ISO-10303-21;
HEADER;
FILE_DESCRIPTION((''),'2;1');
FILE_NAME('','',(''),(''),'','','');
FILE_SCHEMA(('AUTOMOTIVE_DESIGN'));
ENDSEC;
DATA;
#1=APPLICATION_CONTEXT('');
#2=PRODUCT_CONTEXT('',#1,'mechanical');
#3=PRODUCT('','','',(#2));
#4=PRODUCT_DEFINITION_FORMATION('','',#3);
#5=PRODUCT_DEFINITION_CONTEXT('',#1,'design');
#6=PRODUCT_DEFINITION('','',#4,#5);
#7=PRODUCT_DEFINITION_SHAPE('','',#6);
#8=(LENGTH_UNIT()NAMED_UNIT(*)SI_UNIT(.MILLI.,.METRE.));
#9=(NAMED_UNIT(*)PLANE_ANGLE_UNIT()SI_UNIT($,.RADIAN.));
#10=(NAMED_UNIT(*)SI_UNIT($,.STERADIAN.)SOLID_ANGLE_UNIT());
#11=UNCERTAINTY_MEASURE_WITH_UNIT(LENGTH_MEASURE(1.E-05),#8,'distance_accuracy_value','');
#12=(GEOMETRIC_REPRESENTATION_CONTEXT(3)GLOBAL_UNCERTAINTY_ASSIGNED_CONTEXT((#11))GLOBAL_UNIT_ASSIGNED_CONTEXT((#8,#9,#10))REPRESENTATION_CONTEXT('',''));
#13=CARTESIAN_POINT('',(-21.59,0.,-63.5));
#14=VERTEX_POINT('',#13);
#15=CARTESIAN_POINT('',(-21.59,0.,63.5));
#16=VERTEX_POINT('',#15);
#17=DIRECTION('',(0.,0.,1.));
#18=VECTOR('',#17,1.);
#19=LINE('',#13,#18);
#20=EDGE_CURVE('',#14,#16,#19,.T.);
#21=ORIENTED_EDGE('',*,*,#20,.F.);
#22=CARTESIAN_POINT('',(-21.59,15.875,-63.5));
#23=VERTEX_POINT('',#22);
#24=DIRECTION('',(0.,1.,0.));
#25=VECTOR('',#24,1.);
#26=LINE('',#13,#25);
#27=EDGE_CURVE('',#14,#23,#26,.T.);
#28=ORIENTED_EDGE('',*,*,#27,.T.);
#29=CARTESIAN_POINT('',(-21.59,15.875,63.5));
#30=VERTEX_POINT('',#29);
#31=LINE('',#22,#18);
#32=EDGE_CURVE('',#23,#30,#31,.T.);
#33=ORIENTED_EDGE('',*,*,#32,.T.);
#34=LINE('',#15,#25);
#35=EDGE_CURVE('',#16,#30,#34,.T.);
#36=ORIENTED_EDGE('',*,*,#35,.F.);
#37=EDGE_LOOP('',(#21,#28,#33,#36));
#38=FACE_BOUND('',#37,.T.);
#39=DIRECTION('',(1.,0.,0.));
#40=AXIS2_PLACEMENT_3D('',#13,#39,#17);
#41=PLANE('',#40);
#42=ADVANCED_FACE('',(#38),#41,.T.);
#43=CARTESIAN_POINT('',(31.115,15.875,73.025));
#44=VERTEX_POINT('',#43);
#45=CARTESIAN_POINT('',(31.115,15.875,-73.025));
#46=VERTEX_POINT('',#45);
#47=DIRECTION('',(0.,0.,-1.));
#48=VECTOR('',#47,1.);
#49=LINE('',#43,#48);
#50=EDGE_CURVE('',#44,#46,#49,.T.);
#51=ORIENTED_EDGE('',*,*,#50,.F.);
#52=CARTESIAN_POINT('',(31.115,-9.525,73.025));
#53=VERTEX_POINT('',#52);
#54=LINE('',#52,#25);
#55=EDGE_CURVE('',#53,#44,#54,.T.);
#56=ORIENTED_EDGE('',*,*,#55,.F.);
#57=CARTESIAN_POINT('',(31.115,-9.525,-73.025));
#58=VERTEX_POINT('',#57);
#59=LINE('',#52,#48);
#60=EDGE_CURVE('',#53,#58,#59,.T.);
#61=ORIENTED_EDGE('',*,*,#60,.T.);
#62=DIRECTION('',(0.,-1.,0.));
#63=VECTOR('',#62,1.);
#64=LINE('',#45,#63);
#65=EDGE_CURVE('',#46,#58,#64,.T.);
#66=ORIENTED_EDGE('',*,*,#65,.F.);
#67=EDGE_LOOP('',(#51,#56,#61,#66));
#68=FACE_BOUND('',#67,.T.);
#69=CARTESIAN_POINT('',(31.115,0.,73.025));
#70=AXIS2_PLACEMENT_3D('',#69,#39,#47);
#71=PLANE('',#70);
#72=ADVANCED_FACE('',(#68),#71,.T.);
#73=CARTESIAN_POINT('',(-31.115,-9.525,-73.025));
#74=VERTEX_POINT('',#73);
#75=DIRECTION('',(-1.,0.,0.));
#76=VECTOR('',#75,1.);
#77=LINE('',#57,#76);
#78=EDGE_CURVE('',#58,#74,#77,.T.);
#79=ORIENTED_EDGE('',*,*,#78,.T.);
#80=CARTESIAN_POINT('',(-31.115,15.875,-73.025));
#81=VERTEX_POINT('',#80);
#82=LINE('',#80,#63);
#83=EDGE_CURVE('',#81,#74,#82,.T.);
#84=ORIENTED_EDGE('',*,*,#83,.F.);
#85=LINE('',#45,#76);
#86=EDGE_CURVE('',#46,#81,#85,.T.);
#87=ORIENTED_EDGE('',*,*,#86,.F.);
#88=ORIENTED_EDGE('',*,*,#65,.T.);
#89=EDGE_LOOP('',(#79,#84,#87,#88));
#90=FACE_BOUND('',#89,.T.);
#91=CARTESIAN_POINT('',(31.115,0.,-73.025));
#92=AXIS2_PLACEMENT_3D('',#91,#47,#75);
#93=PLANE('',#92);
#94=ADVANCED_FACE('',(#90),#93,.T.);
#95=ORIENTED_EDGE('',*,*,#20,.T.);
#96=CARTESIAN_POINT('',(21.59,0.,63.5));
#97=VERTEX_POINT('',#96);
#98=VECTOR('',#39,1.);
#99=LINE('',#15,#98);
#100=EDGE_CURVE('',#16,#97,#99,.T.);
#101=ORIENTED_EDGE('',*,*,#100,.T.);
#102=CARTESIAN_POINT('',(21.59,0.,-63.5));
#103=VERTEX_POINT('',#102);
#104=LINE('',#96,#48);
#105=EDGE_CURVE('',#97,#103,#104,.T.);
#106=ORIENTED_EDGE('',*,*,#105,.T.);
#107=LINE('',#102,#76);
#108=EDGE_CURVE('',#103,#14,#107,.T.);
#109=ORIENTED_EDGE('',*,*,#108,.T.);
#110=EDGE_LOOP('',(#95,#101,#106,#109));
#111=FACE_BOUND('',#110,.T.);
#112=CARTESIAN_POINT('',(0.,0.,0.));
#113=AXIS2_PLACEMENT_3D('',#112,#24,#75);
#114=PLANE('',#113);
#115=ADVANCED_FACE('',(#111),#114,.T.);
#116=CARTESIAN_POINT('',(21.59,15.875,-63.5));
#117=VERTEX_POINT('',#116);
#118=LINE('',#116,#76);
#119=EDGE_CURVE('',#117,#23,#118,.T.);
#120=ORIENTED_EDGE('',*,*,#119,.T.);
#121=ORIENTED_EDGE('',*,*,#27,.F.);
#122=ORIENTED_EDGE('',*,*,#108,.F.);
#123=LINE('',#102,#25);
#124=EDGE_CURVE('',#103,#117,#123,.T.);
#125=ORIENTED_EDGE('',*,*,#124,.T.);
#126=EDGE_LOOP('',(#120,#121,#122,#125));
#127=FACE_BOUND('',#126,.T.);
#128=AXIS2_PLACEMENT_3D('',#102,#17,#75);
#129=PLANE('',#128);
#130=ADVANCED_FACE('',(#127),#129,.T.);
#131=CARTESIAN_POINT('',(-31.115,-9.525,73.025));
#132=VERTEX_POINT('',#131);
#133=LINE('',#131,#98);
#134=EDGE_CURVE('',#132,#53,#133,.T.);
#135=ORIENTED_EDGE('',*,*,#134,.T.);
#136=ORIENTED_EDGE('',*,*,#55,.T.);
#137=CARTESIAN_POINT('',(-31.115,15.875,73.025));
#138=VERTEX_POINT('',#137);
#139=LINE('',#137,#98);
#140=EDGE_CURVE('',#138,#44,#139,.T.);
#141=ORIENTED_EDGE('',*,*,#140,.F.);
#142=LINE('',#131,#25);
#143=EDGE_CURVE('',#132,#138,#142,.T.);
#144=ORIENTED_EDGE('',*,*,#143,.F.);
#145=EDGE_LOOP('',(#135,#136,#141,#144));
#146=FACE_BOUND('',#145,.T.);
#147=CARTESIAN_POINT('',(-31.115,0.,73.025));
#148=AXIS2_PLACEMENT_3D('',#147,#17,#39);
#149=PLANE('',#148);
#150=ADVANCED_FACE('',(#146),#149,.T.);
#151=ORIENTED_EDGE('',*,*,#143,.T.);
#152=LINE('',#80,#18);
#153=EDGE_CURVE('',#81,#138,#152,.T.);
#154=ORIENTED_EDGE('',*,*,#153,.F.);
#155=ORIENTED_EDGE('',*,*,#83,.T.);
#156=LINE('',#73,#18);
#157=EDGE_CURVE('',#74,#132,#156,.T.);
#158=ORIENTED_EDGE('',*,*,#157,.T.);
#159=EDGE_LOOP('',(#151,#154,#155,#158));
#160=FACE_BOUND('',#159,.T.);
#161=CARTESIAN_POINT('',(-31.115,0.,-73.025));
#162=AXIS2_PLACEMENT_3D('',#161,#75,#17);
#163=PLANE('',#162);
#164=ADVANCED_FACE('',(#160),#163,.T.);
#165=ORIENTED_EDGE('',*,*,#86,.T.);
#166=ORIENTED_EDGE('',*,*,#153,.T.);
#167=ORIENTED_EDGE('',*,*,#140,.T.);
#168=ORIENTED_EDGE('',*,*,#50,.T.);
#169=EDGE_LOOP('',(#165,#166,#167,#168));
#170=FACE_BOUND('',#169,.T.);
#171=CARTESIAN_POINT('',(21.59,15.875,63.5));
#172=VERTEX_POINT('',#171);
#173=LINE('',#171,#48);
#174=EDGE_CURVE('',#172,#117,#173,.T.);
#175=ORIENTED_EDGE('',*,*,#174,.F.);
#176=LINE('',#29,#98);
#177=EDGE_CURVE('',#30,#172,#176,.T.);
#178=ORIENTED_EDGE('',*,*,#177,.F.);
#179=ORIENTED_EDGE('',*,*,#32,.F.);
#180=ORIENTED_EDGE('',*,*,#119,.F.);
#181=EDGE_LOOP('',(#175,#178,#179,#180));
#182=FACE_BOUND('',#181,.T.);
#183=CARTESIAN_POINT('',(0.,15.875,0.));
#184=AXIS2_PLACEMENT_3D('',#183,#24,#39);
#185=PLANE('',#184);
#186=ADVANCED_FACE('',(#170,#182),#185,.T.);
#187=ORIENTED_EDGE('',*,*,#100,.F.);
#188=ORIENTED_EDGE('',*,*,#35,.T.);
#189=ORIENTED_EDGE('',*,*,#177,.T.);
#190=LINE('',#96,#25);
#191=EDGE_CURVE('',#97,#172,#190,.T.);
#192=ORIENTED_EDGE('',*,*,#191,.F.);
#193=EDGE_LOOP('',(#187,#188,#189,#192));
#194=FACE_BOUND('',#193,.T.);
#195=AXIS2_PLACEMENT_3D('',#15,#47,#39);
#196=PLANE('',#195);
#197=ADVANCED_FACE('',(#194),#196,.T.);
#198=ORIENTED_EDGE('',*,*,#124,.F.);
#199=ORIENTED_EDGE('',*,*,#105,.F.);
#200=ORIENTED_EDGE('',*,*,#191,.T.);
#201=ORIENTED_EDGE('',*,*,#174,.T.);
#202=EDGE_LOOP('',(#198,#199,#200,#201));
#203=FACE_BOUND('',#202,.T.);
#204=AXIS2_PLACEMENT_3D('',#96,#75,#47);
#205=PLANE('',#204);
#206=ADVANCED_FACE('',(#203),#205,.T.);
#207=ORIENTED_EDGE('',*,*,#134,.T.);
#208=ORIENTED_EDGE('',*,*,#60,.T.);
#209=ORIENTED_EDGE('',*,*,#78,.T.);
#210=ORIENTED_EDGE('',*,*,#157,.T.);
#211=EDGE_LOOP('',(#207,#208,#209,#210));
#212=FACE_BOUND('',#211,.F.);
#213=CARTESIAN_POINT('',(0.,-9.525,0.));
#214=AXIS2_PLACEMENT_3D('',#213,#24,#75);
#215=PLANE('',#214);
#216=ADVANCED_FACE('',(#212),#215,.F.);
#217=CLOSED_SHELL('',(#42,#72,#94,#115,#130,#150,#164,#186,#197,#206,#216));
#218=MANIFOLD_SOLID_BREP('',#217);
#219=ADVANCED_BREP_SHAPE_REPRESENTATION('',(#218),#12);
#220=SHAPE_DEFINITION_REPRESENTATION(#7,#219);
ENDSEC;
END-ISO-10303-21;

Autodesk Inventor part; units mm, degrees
ref_plane "XZ Plane" through (0, 0, 0) normal (0, 1, 0) x (-1, 0, 0)
ref_plane "XY Plane" through (0, 0, 0) normal (0, 0, 1) x (1, 0, 0)
sketch "Sketch1" plane through (0, 0, 0) normal (0, 1, 0) x (-1, 0, 0)
  line L0 (31.115, 73.025) -> (-31.115, 73.025)
  line L1 (-31.115, 73.025) -> (-31.115, -73.025)
  line L2 (-31.115, -73.025) -> (31.115, -73.025)
  line L3 (31.115, -73.025) -> (31.115, 73.025)
  line L4 (31.115, 73.025) -> (-31.115, -73.025) construction
  line L5 (-31.115, 73.025) -> (31.115, -73.025) construction
  point P0 (0, 0)
  dimension "outerWidth" = 62.23
  dimension "outerLength" = 146.05
extrude "Extrusion1" add sketch "Sketch1" against normal blind 9.525
sketch "Sketch2" plane through (0, 0, 0) normal (0, 1, 0) x (1, 0, 0)
  line L0 (31.115, -73.025) -> (31.115, 73.025)
  line L1 (31.115, 73.025) -> (-31.115, 73.025)
  line L2 (-31.115, 73.025) -> (-31.115, -73.025)
  line L3 (-31.115, -73.025) -> (31.115, -73.025)
  line L4 (31.115, -73.025) -> (-31.115, 73.025) construction
  line L5 (31.115, 73.025) -> (-31.115, -73.025) construction
  line L6 (21.59, -63.5) -> (21.59, 63.5)
  line L7 (21.59, 63.5) -> (-21.59, 63.5)
  line L8 (-21.59, 63.5) -> (-21.59, -63.5)
  line L9 (-21.59, -63.5) -> (21.59, -63.5)
  line L10 (21.59, -63.5) -> (-21.59, 63.5) construction
  line L11 (21.59, 63.5) -> (-21.59, -63.5) construction
  line L12 (31.115, 73.025) -> (-31.115, 73.025) projected
  line L13 (-31.115, 73.025) -> (-31.115, -73.025) projected
  point P0 (0, 0)
  dimension "d1" = 9.525
  dimension "d5" = 9.525
extrude "Extrusion2" add sketch "Sketch2" along normal blind 15.875
equation "\"outerWidth\" = innerWidth + 2 * wallThickness"
equation "\"outerLength\" = innerLength + 2 * wallThickness"
equation "\"d2\" = wallThickness"
equation "\"d1\" = wallThickness"
equation "\"d5\" = wallThickness"
equation "\"d4\" = outerHeight - wallThickness"
equation "\"innerLength\" = 127"
equation "\"width\" = 196.85"
equation "\"outerHeight\" = 25.4"
equation "\"wallThickness\" = 9.525"
equation "\"innerWidth\" = 43.18"
properties part number "connectorToTubeBrackets" material "PC/ABS Plastic"
